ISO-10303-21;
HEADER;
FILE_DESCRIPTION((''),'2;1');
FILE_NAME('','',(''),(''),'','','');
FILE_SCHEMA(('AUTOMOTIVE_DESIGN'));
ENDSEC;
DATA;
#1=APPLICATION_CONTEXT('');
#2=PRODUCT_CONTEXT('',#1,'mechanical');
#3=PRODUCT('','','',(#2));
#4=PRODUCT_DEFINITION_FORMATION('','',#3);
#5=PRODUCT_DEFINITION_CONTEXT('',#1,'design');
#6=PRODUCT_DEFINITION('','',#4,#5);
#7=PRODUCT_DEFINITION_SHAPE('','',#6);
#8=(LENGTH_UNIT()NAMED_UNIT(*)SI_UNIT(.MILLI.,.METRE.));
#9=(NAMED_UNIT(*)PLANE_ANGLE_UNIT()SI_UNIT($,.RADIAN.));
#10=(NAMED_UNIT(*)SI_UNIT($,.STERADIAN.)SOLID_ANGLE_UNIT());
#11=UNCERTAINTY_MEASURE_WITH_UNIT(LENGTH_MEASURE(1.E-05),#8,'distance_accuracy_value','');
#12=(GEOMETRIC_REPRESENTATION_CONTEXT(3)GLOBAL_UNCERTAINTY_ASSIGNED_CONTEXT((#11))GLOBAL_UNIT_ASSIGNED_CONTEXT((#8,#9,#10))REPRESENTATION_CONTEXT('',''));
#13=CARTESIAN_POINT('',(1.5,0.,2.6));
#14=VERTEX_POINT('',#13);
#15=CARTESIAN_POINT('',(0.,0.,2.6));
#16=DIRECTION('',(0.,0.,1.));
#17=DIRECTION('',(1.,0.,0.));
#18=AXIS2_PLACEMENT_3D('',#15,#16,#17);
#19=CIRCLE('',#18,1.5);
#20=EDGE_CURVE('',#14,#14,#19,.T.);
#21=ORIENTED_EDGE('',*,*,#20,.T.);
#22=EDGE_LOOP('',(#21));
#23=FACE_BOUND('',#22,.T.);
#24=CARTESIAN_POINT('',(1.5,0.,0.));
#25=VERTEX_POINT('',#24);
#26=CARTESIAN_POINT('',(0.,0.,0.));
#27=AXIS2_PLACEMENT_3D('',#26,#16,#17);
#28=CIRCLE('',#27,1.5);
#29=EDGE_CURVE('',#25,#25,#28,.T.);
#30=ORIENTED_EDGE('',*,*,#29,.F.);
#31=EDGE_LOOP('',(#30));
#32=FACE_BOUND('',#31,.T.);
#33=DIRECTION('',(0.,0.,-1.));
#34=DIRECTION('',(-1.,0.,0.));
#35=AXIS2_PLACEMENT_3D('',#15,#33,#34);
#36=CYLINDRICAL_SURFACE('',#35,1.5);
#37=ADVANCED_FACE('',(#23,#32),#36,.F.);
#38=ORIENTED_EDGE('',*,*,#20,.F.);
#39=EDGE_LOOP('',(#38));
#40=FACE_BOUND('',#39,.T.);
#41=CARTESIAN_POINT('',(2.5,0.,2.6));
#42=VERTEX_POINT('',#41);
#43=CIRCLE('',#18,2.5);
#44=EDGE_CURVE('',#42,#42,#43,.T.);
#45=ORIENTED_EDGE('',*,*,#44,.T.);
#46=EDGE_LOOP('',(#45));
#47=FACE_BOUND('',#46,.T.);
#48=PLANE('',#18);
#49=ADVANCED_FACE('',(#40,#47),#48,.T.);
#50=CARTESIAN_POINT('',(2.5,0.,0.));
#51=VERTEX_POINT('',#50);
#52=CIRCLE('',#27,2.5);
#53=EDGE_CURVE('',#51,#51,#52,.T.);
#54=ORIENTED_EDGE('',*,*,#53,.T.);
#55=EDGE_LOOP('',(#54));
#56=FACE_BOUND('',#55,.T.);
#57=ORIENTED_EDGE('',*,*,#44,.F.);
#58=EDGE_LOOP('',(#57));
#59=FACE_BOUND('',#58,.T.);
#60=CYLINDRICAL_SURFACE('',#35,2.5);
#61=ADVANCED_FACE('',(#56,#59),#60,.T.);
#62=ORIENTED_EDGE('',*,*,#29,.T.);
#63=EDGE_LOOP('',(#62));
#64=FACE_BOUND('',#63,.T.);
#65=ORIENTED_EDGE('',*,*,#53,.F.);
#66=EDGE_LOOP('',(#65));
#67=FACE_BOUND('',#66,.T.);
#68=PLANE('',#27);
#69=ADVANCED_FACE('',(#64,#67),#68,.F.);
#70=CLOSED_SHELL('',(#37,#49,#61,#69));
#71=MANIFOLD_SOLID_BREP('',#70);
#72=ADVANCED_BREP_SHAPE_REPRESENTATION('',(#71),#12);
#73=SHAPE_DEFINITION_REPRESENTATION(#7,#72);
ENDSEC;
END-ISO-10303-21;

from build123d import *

# Parameters (mm, degrees)
SKETCH2_R           = 2.5
SKETCH2_R_2         = 1.5
BOSS_EXTRUDE1_DEPTH = 2.6


with BuildPart() as part:
    # Sketch2 → Boss-Extrude1 (new body)
    with BuildSketch(Plane.XY):
        Circle(SKETCH2_R)
        Circle(SKETCH2_R_2, mode=Mode.SUBTRACT)
    extrude(amount=BOSS_EXTRUDE1_DEPTH)


solid = part.part
